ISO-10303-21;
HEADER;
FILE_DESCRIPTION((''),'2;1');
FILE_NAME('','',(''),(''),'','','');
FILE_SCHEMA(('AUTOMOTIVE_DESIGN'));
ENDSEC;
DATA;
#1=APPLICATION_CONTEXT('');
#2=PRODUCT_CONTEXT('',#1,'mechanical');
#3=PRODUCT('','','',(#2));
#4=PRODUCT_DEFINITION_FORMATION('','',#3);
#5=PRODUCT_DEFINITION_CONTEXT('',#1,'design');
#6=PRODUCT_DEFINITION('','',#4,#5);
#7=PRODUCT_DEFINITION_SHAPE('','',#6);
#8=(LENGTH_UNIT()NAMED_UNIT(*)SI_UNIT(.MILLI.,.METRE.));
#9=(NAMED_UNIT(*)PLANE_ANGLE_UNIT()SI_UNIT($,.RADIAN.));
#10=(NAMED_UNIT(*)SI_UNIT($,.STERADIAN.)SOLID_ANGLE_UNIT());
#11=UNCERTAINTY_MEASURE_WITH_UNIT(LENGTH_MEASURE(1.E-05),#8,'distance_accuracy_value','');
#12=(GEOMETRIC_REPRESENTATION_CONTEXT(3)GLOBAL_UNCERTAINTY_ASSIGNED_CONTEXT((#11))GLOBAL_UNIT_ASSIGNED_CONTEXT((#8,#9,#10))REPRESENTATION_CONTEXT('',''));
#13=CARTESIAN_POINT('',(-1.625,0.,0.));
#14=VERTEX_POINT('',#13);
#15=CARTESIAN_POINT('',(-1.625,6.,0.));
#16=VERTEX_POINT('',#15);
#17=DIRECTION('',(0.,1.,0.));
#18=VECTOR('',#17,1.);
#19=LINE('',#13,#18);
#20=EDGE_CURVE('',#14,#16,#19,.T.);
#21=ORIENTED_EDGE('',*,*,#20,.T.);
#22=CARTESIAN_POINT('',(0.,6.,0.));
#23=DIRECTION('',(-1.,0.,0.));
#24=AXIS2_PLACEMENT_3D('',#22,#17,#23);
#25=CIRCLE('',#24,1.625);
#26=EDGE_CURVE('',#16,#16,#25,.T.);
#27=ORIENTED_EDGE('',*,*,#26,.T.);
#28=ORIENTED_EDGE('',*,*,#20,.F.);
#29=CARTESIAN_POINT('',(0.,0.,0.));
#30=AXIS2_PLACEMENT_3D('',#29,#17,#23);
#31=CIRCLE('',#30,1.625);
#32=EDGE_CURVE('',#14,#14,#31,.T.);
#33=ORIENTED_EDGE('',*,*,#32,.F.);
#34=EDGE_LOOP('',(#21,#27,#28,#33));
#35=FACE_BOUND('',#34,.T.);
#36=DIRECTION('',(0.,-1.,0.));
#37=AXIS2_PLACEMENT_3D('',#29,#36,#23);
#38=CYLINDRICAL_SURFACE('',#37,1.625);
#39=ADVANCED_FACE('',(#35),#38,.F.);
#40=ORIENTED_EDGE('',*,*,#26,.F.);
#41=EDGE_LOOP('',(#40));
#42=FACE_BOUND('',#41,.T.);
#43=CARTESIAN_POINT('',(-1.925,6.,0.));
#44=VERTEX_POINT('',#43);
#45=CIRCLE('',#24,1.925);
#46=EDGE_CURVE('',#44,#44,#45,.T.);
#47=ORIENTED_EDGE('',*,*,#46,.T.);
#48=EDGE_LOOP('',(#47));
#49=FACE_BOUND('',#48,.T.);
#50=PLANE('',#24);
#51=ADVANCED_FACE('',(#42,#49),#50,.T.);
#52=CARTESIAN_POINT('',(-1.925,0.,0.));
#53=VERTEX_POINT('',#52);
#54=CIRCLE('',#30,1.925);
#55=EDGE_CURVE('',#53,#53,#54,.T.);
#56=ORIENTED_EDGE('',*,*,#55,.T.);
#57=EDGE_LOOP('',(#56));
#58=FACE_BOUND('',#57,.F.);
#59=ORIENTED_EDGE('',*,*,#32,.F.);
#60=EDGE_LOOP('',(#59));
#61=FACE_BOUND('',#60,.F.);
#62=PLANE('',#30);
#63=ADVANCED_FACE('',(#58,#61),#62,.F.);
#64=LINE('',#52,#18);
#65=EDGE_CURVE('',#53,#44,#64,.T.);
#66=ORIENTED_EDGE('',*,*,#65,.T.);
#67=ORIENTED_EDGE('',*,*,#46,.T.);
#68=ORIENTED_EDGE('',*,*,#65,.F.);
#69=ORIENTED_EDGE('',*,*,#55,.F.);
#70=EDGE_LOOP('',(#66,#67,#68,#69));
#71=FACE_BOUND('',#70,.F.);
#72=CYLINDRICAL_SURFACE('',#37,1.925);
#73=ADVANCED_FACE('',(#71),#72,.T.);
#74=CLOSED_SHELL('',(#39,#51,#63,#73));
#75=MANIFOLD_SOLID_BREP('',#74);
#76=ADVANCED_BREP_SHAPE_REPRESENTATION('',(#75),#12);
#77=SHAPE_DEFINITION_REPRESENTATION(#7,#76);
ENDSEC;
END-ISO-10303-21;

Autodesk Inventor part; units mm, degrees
ref_plane "YZ Plane" through (0, 0, 0) normal (1, 0, 0) x (0, 1, 0)
ref_plane "XZ Plane" through (0, 0, 0) normal (0, 1, 0) x (-1, 0, 0)
ref_plane "XY Plane" through (0, 0, 0) normal (0, 0, 1) x (1, 0, 0)
sketch "Sketch1" plane through (0, 0, 0) normal (0, 1, 0) x (-1, 0, 0)
  circle A0 centre (0, 0) radius 1.625
  circle A1 centre (0, 0) radius 1.925
  dimension "d0" = 3.25
  dimension "d1" = 3.85
extrude "Extrusion1" add sketch "Sketch1" along normal blind 6
properties part number "M3Adapter"
